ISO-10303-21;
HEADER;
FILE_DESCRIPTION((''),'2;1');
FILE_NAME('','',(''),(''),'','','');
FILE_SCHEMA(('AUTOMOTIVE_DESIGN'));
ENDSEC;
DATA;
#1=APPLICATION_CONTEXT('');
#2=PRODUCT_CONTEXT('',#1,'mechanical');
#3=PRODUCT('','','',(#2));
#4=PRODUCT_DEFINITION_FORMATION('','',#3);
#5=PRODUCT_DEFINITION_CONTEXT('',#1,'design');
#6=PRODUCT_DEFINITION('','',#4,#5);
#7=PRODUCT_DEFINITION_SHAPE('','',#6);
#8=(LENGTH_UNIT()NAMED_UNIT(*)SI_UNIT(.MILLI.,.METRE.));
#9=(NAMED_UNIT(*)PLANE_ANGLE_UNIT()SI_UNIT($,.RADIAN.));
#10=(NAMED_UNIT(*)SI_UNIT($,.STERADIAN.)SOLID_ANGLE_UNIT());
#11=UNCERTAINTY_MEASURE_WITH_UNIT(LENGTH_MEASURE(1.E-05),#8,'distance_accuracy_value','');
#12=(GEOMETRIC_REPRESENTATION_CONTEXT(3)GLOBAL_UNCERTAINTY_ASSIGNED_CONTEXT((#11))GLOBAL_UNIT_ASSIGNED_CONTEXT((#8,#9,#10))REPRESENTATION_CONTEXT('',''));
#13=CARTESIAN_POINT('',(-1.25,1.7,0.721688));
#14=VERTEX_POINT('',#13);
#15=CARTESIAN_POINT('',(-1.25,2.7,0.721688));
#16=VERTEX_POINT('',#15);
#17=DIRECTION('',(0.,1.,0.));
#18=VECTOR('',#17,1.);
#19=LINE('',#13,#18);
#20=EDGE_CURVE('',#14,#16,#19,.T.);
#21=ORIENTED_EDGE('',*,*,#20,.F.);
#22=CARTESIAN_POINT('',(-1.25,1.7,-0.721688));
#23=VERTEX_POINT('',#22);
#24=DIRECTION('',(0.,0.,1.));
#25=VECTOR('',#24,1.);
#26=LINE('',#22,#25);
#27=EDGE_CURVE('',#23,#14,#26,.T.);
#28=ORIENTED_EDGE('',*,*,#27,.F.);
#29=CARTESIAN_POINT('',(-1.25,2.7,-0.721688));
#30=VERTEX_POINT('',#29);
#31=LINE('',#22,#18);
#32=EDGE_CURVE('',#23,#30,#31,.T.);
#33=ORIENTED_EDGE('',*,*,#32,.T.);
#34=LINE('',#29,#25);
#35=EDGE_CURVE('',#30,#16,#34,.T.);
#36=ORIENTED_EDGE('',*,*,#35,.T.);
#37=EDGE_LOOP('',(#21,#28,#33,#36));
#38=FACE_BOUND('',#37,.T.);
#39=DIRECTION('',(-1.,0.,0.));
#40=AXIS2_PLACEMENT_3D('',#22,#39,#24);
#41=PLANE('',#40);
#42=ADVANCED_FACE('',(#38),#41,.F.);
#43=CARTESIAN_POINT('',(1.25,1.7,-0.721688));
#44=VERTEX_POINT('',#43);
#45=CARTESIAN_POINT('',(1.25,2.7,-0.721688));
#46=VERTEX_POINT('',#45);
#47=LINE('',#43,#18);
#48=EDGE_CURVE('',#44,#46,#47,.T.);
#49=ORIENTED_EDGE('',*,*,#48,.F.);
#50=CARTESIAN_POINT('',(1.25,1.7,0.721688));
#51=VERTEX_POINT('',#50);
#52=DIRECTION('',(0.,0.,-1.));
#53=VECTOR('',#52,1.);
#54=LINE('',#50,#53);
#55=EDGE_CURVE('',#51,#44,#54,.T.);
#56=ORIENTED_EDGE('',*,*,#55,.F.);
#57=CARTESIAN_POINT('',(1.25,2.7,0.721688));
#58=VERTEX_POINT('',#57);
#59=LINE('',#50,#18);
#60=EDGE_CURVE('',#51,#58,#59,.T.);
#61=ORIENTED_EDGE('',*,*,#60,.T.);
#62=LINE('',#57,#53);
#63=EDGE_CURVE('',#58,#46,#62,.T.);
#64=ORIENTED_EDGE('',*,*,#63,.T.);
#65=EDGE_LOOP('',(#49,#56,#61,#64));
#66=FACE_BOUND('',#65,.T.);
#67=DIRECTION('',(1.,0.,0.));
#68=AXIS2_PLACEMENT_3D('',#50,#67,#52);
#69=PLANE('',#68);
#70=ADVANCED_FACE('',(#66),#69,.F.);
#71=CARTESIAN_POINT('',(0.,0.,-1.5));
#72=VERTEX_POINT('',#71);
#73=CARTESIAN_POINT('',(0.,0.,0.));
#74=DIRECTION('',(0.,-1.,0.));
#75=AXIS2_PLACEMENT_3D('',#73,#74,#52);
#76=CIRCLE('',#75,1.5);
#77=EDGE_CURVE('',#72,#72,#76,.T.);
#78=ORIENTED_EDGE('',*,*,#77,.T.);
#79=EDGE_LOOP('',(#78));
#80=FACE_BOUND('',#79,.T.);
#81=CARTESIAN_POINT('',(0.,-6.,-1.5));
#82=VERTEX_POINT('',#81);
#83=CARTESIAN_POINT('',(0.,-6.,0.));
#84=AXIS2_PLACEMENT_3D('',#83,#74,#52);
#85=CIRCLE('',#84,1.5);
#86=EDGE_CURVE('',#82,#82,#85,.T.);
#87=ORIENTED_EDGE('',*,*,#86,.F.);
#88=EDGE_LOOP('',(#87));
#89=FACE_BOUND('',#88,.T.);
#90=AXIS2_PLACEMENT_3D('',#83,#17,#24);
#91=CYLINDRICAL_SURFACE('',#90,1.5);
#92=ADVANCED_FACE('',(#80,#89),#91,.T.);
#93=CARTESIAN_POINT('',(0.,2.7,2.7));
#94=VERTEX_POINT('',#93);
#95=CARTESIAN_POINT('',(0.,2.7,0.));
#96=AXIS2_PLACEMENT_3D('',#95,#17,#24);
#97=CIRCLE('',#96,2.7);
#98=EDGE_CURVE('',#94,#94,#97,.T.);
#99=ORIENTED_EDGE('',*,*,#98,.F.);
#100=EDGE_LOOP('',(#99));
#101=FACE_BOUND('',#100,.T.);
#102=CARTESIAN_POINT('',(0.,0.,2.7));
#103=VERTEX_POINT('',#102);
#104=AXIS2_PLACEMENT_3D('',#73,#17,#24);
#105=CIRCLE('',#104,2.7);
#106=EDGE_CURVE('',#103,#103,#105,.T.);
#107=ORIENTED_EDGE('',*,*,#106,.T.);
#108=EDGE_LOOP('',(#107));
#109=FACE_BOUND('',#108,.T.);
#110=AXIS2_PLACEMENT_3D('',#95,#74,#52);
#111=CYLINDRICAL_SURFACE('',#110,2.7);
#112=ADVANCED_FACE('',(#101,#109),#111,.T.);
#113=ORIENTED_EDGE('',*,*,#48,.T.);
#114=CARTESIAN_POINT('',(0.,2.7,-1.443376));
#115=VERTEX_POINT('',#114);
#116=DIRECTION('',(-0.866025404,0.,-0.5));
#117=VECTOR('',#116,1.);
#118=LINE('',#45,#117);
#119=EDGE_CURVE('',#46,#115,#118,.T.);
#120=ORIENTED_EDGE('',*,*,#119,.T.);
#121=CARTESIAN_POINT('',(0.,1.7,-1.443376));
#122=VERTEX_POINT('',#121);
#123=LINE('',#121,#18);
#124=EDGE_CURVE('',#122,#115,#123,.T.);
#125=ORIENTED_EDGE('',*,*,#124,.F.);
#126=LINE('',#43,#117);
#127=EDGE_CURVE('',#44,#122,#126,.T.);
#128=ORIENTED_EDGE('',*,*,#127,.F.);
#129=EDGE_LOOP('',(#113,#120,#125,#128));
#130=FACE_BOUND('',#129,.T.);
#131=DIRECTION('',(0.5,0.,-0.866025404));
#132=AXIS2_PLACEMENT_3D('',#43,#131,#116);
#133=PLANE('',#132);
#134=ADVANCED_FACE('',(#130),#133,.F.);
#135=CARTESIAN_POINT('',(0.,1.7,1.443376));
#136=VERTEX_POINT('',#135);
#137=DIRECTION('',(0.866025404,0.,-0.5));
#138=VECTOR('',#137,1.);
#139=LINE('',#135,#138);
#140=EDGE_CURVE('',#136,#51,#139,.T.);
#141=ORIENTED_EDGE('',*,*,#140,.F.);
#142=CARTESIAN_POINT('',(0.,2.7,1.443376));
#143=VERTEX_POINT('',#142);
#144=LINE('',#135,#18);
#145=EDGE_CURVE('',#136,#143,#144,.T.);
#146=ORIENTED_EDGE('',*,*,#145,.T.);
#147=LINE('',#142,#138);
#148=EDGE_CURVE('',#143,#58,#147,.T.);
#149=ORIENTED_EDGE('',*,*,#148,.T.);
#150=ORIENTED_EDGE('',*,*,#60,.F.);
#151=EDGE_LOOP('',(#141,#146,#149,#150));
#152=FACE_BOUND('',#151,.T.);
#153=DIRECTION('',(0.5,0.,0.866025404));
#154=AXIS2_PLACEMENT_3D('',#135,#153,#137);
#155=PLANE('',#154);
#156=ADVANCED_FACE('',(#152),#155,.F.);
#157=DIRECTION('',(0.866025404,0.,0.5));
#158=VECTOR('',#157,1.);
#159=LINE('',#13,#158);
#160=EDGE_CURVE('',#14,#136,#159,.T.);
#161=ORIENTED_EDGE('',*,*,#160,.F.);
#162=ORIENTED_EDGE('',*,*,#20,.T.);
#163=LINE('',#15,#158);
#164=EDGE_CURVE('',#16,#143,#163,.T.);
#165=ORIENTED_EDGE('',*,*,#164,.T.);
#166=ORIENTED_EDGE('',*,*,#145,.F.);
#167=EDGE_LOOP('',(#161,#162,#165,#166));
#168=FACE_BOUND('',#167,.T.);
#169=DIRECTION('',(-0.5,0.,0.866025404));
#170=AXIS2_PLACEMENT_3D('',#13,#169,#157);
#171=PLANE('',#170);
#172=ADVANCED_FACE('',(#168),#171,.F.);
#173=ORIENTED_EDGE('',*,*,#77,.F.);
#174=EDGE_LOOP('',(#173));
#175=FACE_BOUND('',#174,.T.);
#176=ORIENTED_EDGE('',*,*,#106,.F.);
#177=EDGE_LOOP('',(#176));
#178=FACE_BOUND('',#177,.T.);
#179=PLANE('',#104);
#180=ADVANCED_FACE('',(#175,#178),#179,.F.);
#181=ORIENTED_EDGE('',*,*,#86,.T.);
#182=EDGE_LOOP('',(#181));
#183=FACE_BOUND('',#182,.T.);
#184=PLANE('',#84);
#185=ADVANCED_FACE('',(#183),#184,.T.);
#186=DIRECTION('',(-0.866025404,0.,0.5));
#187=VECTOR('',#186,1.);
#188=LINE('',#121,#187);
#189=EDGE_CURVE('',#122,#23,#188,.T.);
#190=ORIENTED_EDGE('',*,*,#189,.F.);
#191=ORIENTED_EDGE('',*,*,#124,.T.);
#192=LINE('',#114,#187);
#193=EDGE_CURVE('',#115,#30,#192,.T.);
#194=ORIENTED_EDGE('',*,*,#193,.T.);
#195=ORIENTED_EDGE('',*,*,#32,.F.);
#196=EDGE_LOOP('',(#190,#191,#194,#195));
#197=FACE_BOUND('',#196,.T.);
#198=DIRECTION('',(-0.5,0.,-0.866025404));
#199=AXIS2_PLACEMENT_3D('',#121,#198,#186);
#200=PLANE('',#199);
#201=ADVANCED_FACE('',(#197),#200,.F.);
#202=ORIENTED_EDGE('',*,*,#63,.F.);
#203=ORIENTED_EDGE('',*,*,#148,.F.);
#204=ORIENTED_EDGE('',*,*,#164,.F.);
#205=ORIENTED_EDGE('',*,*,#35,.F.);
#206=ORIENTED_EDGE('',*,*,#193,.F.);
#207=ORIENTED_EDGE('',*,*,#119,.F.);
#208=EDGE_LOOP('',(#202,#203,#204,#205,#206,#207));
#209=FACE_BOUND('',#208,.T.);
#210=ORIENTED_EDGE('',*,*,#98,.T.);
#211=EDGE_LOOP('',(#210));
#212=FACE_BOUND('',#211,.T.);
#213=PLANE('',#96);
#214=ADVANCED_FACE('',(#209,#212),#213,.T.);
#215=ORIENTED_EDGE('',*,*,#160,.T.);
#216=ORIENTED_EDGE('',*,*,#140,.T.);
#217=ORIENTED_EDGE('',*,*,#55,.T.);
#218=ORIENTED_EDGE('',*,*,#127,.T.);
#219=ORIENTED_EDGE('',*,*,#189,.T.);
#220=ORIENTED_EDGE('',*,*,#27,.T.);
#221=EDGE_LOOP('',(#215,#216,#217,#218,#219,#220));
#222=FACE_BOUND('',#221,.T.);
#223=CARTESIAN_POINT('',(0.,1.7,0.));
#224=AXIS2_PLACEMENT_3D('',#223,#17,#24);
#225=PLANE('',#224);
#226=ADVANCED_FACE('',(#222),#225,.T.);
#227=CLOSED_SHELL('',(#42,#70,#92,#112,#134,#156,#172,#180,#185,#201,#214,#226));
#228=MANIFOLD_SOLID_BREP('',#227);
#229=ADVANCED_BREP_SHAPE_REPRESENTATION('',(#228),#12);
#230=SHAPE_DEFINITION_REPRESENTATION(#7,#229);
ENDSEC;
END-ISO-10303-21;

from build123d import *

# Parameters (mm, degrees)
SKETCH1_R           = 2.7
BOSS_EXTRUDE1_DEPTH = 2.7
CUT_EXTRUDE1_DEPTH  = 1
SKETCH3_R           = 1.5
BOSS_EXTRUDE2_DEPTH = 6


with BuildPart() as part:
    # Sketch1 → Boss-Extrude1 (new body)
    with BuildSketch(Plane(origin=(0, 0, 0), x_dir=(1, 0, 0), z_dir=(0, 1, 0))):
        Circle(SKETCH1_R)
    extrude(amount=BOSS_EXTRUDE1_DEPTH)

    # Sketch2 → Cut-Extrude1 (cut)
    with BuildSketch(Plane(origin=(0, 2.7, 0), x_dir=(1, 0, 0), z_dir=(0, 1, 0))):
        Polygon((0, 1.443375673), (-1.25, 0.721687836), (-1.25, -0.721687836), (0, -1.443375673), (1.25, -0.721687836), (1.25, 0.721687836), align=None)
    extrude(amount=-CUT_EXTRUDE1_DEPTH, mode=Mode.SUBTRACT)

    # Sketch3 → Boss-Extrude2 (add)
    with BuildSketch(Plane.XZ):
        Circle(SKETCH3_R)
    extrude(amount=BOSS_EXTRUDE2_DEPTH)


solid = part.part
